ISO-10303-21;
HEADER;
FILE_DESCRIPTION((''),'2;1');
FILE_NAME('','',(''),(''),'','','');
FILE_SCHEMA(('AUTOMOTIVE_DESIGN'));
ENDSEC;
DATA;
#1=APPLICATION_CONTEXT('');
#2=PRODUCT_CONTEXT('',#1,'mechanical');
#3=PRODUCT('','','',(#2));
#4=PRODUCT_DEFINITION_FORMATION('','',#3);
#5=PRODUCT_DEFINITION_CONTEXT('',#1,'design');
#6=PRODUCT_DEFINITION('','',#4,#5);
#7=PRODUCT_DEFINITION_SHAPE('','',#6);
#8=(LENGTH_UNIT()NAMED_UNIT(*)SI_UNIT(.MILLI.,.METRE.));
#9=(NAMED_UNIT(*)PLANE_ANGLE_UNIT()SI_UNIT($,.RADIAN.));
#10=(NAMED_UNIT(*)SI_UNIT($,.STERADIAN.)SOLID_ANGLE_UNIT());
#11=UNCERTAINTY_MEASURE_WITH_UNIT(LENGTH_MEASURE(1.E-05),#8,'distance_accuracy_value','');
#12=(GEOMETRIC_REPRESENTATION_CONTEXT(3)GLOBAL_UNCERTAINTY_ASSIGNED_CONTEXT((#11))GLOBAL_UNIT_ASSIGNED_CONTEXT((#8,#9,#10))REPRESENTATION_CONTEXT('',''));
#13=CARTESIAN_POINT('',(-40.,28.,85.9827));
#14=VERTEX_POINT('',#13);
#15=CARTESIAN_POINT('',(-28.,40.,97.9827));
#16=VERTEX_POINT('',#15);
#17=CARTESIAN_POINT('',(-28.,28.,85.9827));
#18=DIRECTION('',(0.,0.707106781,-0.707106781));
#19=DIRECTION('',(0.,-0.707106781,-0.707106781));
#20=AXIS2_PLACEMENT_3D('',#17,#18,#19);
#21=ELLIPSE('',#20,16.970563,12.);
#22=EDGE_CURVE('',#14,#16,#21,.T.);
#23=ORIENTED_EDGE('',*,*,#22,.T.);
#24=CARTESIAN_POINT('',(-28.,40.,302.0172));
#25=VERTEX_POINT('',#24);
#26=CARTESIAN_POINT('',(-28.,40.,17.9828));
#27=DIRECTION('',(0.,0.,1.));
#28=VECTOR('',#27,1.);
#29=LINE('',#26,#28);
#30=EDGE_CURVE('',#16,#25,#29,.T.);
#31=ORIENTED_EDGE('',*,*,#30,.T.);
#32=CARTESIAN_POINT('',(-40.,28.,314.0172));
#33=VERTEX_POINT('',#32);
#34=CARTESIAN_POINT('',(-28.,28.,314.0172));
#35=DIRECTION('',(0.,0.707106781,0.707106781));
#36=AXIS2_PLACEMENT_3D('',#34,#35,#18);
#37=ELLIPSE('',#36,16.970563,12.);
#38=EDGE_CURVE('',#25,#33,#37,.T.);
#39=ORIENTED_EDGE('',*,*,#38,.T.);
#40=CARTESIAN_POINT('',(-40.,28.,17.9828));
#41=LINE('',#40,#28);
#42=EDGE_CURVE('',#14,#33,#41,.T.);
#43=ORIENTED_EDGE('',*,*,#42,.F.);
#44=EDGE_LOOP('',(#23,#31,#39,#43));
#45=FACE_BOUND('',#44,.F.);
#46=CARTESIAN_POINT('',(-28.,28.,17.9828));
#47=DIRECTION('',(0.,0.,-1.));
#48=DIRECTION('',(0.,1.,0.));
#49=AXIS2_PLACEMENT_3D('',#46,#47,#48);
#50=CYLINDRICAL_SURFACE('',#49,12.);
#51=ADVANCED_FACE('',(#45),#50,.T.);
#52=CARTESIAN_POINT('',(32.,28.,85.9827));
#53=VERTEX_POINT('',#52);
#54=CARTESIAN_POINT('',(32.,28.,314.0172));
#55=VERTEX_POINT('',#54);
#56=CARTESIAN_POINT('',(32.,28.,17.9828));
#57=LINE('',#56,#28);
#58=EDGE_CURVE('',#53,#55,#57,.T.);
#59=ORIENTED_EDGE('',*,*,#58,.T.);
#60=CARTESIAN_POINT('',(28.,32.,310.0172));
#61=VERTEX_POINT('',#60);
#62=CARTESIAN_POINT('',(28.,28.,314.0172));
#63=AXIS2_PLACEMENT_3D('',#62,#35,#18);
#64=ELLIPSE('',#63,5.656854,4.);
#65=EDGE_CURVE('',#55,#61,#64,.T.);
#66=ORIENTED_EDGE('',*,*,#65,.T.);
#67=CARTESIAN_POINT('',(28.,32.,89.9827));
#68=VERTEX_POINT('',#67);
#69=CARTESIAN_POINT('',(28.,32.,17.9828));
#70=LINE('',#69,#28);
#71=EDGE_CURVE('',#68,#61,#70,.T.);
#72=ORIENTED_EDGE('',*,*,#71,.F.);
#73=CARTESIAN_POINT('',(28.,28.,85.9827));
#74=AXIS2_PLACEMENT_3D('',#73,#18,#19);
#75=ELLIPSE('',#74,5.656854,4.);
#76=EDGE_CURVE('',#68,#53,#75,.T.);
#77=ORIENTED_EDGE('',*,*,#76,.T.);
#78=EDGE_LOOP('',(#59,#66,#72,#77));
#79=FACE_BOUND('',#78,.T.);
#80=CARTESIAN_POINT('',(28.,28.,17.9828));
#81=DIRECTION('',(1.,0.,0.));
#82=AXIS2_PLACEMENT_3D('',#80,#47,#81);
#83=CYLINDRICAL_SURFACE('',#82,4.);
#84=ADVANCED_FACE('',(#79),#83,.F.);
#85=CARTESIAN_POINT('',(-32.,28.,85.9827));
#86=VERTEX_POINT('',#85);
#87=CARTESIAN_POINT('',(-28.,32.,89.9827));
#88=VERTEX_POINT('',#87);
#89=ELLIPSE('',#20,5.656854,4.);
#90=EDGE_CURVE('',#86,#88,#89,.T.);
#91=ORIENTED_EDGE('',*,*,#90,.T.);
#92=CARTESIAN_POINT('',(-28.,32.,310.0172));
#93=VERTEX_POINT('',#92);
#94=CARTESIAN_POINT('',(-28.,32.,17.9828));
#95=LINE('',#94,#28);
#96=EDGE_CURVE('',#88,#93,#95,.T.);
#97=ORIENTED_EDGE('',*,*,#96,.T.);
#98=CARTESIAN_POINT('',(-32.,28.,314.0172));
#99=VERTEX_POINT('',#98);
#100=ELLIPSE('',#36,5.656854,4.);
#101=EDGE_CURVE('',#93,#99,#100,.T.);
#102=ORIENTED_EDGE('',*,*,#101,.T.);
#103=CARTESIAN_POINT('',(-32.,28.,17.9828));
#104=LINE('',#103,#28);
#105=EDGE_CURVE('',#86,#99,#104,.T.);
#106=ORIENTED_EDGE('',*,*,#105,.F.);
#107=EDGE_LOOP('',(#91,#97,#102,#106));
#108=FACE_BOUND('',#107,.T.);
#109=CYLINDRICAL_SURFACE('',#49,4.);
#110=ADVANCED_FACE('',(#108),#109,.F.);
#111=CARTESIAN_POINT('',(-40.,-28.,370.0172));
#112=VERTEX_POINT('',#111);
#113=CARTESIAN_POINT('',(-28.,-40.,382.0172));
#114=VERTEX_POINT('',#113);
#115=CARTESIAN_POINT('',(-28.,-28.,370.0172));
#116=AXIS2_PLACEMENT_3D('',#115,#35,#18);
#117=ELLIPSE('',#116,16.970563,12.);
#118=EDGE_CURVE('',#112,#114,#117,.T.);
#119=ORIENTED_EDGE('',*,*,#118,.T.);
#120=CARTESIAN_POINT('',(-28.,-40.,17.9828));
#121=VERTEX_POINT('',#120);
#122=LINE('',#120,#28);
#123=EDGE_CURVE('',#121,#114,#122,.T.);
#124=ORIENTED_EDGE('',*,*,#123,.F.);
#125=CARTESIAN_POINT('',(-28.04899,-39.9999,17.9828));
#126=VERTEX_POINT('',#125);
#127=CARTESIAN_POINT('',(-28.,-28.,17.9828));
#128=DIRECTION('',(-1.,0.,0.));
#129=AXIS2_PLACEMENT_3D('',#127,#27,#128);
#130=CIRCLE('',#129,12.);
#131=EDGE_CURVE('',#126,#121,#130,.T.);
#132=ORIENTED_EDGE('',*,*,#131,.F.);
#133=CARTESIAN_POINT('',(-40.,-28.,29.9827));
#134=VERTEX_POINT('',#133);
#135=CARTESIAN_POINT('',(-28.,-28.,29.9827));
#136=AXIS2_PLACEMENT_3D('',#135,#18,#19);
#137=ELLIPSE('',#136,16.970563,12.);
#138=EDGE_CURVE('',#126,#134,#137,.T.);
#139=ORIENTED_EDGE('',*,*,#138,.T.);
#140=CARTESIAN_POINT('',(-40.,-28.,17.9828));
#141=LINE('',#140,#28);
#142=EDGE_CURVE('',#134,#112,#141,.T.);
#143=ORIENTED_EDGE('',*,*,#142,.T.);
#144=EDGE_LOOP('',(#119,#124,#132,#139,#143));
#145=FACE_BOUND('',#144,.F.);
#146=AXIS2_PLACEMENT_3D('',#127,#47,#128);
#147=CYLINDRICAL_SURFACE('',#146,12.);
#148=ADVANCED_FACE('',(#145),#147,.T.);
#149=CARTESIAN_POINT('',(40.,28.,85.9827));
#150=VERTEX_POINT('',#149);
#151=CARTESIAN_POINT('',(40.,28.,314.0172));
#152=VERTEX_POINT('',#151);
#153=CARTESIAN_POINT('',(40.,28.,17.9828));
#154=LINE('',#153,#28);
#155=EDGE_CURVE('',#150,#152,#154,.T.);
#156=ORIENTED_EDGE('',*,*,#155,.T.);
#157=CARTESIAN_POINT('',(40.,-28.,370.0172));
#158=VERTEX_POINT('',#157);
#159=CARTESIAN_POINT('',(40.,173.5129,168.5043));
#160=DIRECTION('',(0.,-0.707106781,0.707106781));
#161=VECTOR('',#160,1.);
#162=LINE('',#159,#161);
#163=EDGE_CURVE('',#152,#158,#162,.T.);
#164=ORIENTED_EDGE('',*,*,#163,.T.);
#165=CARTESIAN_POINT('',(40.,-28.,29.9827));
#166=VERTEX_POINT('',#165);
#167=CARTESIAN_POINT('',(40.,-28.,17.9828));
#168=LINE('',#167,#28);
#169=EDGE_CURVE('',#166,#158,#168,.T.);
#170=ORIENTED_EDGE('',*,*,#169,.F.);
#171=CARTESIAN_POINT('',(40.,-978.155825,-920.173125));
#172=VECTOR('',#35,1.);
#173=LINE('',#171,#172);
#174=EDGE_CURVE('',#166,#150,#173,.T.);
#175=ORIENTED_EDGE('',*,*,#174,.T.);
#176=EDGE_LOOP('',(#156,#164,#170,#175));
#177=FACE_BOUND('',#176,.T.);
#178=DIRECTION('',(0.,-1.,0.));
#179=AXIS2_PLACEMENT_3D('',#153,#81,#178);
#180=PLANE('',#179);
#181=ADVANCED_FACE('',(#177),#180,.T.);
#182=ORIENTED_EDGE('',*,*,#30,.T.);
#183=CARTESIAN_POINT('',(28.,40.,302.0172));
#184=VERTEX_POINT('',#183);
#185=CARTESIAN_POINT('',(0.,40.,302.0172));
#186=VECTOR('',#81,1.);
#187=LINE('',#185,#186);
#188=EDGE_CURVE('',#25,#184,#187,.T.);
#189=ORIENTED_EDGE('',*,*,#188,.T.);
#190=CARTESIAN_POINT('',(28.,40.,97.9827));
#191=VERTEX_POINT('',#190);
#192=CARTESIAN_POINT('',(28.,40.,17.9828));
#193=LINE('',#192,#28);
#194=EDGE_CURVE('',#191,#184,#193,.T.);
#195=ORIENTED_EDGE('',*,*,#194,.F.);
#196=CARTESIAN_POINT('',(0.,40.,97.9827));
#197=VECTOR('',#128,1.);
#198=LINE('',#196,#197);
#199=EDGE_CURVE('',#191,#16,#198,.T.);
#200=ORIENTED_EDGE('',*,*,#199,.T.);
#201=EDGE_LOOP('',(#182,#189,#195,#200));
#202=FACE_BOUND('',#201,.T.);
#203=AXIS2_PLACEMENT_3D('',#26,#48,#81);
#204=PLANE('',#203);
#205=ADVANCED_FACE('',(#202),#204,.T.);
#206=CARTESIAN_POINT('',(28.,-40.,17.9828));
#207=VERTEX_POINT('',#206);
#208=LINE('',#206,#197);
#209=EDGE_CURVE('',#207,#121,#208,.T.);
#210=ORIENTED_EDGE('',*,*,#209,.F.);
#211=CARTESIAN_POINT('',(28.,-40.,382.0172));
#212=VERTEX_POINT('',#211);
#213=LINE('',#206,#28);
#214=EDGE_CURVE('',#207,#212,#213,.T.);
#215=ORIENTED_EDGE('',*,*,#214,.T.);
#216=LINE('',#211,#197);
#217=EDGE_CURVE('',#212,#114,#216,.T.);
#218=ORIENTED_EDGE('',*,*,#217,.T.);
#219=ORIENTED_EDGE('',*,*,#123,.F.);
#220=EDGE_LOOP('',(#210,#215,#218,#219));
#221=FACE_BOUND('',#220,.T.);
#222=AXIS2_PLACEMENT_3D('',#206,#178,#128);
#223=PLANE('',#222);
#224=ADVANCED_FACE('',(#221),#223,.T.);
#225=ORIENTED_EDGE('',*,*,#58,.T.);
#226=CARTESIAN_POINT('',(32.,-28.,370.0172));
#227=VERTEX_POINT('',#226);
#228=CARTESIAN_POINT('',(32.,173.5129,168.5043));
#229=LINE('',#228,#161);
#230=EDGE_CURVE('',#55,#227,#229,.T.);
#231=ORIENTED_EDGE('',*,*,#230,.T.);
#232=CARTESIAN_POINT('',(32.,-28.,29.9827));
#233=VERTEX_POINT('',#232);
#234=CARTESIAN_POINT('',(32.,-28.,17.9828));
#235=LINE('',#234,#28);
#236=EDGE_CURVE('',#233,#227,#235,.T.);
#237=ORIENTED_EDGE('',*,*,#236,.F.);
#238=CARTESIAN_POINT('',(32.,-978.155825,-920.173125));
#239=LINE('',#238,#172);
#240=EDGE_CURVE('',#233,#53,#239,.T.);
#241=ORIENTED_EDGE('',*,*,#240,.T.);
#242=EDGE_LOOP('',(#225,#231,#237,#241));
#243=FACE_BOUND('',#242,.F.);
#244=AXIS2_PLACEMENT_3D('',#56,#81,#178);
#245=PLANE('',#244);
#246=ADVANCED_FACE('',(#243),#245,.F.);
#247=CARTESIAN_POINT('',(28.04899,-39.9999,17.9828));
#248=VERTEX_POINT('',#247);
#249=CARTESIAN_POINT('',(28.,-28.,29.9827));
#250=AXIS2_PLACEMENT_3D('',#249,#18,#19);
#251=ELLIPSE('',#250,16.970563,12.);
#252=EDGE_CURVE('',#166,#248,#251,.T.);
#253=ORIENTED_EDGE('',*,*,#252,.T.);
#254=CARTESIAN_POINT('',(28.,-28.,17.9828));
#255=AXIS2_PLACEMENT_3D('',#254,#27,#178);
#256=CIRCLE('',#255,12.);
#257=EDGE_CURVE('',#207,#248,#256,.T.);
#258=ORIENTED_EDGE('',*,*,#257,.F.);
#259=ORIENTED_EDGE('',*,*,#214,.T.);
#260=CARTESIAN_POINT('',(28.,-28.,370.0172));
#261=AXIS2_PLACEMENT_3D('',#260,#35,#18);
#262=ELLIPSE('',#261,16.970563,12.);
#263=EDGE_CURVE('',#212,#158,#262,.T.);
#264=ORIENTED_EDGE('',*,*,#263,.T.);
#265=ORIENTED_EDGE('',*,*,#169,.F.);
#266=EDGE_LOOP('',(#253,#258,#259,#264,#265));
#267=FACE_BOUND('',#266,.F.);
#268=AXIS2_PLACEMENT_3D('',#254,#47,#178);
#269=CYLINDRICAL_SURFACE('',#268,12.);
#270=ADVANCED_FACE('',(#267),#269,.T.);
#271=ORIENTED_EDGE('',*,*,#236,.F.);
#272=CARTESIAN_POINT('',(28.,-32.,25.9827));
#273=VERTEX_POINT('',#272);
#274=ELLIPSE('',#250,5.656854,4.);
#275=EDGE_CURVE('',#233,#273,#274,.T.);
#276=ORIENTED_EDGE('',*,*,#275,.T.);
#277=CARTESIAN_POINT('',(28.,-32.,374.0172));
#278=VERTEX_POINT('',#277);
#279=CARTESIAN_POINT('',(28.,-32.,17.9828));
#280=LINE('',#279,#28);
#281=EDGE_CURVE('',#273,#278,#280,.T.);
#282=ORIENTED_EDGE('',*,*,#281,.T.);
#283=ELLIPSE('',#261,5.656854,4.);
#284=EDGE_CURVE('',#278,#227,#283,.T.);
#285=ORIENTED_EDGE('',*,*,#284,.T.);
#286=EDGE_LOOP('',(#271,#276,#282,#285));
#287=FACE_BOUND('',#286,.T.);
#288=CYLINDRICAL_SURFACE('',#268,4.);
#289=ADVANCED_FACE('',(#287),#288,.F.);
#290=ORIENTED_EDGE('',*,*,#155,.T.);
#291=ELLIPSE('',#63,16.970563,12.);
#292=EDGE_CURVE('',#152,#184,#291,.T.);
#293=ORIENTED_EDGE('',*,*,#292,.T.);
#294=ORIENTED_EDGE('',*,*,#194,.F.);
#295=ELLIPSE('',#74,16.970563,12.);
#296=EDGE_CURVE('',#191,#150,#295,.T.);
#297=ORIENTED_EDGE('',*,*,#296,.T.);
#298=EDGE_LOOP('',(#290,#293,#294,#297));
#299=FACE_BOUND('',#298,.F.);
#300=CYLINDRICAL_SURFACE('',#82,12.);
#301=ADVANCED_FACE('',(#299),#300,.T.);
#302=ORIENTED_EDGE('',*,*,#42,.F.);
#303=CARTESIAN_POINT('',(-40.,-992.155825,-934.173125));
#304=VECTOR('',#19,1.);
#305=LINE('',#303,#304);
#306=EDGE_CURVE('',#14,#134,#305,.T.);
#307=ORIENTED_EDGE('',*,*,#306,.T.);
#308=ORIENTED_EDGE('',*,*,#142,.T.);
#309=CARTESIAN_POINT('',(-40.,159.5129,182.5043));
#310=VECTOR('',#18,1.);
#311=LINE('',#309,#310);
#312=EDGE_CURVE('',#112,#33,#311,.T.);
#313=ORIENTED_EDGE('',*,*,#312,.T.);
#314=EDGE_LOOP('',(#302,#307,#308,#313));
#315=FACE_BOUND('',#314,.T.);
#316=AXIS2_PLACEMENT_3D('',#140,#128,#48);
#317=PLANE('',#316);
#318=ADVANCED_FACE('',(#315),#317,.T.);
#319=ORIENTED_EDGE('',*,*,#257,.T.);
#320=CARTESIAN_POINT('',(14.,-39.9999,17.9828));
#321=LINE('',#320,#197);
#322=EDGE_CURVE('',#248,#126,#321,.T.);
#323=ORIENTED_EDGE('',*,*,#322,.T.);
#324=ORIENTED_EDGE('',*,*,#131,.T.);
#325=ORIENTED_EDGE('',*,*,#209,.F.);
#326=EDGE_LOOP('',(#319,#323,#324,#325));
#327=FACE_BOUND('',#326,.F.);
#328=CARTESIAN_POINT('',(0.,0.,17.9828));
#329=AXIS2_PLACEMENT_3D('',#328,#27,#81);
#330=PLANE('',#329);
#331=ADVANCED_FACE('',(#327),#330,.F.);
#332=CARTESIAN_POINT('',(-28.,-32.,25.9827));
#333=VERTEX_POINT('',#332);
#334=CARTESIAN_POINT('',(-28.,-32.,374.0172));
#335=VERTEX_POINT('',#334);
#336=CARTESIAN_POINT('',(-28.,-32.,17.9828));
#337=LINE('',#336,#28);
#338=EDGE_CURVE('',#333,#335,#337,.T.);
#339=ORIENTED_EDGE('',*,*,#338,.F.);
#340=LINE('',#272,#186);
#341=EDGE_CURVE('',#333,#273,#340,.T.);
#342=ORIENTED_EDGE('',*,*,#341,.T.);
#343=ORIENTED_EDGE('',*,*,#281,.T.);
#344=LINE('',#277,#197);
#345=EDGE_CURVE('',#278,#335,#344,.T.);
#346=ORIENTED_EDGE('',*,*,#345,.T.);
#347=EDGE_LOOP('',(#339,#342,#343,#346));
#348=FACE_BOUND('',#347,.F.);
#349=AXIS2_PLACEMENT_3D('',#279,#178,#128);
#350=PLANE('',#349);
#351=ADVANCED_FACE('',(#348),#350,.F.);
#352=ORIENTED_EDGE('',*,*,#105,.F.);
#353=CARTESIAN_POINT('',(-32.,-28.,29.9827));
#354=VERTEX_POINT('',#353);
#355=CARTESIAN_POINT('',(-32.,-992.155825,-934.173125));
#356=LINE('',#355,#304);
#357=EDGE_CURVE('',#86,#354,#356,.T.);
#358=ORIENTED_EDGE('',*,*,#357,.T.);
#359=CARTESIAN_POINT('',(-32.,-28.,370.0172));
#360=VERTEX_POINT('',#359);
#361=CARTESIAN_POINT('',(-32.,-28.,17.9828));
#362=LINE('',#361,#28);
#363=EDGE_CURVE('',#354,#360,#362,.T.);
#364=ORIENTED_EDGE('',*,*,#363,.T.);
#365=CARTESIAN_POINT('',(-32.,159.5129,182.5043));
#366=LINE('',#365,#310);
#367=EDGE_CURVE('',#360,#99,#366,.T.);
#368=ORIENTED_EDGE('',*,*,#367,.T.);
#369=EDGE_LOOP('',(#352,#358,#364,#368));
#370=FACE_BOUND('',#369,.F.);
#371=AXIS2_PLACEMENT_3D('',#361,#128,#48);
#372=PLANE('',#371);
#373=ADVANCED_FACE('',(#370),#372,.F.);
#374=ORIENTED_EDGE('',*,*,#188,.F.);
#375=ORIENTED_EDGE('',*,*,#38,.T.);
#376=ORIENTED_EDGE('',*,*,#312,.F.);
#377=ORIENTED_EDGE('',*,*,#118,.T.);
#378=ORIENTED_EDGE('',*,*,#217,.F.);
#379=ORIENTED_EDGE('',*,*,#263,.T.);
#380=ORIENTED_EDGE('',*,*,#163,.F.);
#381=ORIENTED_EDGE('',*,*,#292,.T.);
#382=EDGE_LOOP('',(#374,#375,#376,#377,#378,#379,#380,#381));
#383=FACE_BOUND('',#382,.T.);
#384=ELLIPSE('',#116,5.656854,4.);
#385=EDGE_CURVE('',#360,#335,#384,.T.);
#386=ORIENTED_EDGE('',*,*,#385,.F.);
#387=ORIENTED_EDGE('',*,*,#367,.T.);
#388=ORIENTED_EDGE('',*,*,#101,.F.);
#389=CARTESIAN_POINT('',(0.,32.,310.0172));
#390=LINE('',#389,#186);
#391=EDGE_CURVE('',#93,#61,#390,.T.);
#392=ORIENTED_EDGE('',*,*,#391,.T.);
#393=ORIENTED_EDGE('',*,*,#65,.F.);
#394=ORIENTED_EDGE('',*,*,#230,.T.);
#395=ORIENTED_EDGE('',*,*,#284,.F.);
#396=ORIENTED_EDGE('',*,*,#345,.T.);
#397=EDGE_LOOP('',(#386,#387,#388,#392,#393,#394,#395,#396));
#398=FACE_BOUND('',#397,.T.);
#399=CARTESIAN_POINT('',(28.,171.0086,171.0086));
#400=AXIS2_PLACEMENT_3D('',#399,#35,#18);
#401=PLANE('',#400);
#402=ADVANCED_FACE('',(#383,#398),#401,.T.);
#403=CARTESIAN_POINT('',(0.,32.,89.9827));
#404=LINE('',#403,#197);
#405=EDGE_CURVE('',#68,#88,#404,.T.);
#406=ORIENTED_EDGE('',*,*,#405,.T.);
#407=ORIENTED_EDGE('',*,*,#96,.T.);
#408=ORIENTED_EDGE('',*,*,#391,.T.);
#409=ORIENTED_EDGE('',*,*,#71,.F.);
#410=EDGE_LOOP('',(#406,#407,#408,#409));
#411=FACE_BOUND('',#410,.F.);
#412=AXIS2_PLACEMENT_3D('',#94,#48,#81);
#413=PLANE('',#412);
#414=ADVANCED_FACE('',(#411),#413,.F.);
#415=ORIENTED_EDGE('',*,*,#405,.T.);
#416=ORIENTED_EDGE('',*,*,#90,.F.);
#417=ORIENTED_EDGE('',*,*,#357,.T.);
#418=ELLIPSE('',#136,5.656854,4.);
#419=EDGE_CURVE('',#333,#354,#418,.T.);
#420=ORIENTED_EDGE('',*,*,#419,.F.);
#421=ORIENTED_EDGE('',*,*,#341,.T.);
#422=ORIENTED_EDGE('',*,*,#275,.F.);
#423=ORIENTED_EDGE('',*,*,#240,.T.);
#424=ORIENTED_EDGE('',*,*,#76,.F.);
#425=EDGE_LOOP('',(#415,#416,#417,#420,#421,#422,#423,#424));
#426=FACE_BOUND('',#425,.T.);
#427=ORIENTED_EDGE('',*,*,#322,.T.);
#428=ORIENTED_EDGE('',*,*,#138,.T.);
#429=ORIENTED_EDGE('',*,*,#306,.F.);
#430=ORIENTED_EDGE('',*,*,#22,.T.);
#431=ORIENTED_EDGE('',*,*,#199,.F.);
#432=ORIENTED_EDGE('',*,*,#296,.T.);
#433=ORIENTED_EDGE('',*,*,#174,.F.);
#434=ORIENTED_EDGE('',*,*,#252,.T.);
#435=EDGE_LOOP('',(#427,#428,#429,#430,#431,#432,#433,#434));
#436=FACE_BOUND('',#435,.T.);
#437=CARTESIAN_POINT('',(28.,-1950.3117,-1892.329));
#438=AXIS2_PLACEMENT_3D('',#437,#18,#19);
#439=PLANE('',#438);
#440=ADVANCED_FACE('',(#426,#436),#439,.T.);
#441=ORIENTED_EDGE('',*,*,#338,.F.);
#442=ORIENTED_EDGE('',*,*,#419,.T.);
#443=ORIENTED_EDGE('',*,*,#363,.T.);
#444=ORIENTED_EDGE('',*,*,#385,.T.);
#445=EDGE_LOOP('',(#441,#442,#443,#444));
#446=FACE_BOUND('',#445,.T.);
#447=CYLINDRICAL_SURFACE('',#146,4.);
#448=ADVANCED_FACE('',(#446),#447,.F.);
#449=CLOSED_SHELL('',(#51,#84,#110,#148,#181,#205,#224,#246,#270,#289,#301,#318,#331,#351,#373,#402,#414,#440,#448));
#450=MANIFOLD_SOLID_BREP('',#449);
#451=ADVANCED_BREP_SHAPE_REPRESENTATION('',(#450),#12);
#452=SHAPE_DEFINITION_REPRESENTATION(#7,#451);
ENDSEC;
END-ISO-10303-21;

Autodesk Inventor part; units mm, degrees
ref_plane "Start Plane" through (0, 0, 17.9828) normal (0, 0, 1) x (1, 0, 0)
ref_plane "End Plane" through (0, 0, 382.0172) normal (0, 0, 1) x (1, 0, 0)
sketch "Sketch" plane through (0, 0, 0) normal (0, 0, 1) x (1, 0, 0)
  line L0 (-40, -28) -> (-40, 28)
  line L1 (-28, 40) -> (28, 40)
  line L2 (40, 28) -> (40, -28)
  line L3 (28, -40) -> (-28, -40)
  arc A0 (-40, -28) -> (-28, -40) centre (-28, -28) ccw
  arc A1 (-28, 40) -> (-40, 28) centre (-28, 28) ccw
  arc A2 (40, 28) -> (28, 40) centre (28, 28) ccw
  arc A3 (28, -40) -> (40, -28) centre (28, -28) ccw
  arc A4 (-28, 32) -> (-32, 28) centre (-28, 28) ccw
  line L4 (-28, 32) -> (28, 32)
  arc A5 (32, 28) -> (28, 32) centre (28, 28) ccw
  line L5 (32, 28) -> (32, -28)
  arc A6 (28, -32) -> (32, -28) centre (28, -28) ccw
  line L6 (28, -32) -> (-28, -32)
  arc A7 (-32, -28) -> (-28, -32) centre (-28, -28) ccw
  line L7 (-32, -28) -> (-32, 28)
  line L8 (0, 59.4794) -> (0, -59.4794) construction
  line L9 (-59.4794, 0) -> (59.4794, 0) construction
  dimension "d7" = 12
  dimension "d10" = 80
  dimension "d11" = 80
  dimension "d12" = 8
  dimension "d15" = 40
  dimension "d16" = 40
extrude "Body" add sketch "Sketch" along normal up to surface (364.0345 mm away) from surface at 17.9828
sketch "Sketch3" plane through (0, 0, 0) normal (0, 0, 1) x (1, 0, 0)
  line L0 (0, 0) -> (10, 0)
ref_plane "Work Plane3" through (0, 0, 0) normal (0, -1, 0) x (1, 0, 0)
ref_plane "Work Plane4" through (28, 171.0086, 171.0086) normal (0, 0.7071, 0.7071) x (1, 0, 0)
split "Split1" plane through (28, 171.0086, 171.0086) removes the side toward (0, 0.7071, 0.7071)
ref_plane "Work Plane5" through (28, -1950.3117, -1892.329) normal (0, 0.7071, -0.7071) x (1, 0, 0)
split "Split2" plane through (28, -1950.3117, -1892.329) removes the side toward (0, 0.7071, -0.7071)
sketch "Sketch4" plane through (0, 0, 0) normal (0, -1, 0) x (1, 0, 0)
  line L0 (-2, 17.9828) -> (12, 17.9828) projected
  line L1 (-2, 382.0172) -> (12, 382.0172) projected
  dimension "d18" = 364.0345
equation "\"d7\" = G_IR"
equation "\"d10\" = G_H"
equation "\"d11\" = G_W"
equation "\"d12\" = G_T"
equation "\"d15\" = 0.5 * d10"
equation "\"d16\" = 0.5 * d11"
equation "\"d3\" = G_L"
equation "\"G_W\" = 80"
equation "\"G_H\" = 80"
equation "\"G_T\" = 8"
equation "\"G_IR\" = 12"
equation "\"G_L\" = d18"
equation "\"G_OFFSET_START\" = -17.98276"
equation "\"G_OFFSET_END\" = -17.98276"
equation "\"d13\" = -G_OFFSET_START"
equation "\"d14\" = G_OFFSET_END + B_L"
equation "\"B_L\" = 400"
properties part number "ISO 12633-2 - 80x80x8 - 364.03" material "Steel, Mild"
